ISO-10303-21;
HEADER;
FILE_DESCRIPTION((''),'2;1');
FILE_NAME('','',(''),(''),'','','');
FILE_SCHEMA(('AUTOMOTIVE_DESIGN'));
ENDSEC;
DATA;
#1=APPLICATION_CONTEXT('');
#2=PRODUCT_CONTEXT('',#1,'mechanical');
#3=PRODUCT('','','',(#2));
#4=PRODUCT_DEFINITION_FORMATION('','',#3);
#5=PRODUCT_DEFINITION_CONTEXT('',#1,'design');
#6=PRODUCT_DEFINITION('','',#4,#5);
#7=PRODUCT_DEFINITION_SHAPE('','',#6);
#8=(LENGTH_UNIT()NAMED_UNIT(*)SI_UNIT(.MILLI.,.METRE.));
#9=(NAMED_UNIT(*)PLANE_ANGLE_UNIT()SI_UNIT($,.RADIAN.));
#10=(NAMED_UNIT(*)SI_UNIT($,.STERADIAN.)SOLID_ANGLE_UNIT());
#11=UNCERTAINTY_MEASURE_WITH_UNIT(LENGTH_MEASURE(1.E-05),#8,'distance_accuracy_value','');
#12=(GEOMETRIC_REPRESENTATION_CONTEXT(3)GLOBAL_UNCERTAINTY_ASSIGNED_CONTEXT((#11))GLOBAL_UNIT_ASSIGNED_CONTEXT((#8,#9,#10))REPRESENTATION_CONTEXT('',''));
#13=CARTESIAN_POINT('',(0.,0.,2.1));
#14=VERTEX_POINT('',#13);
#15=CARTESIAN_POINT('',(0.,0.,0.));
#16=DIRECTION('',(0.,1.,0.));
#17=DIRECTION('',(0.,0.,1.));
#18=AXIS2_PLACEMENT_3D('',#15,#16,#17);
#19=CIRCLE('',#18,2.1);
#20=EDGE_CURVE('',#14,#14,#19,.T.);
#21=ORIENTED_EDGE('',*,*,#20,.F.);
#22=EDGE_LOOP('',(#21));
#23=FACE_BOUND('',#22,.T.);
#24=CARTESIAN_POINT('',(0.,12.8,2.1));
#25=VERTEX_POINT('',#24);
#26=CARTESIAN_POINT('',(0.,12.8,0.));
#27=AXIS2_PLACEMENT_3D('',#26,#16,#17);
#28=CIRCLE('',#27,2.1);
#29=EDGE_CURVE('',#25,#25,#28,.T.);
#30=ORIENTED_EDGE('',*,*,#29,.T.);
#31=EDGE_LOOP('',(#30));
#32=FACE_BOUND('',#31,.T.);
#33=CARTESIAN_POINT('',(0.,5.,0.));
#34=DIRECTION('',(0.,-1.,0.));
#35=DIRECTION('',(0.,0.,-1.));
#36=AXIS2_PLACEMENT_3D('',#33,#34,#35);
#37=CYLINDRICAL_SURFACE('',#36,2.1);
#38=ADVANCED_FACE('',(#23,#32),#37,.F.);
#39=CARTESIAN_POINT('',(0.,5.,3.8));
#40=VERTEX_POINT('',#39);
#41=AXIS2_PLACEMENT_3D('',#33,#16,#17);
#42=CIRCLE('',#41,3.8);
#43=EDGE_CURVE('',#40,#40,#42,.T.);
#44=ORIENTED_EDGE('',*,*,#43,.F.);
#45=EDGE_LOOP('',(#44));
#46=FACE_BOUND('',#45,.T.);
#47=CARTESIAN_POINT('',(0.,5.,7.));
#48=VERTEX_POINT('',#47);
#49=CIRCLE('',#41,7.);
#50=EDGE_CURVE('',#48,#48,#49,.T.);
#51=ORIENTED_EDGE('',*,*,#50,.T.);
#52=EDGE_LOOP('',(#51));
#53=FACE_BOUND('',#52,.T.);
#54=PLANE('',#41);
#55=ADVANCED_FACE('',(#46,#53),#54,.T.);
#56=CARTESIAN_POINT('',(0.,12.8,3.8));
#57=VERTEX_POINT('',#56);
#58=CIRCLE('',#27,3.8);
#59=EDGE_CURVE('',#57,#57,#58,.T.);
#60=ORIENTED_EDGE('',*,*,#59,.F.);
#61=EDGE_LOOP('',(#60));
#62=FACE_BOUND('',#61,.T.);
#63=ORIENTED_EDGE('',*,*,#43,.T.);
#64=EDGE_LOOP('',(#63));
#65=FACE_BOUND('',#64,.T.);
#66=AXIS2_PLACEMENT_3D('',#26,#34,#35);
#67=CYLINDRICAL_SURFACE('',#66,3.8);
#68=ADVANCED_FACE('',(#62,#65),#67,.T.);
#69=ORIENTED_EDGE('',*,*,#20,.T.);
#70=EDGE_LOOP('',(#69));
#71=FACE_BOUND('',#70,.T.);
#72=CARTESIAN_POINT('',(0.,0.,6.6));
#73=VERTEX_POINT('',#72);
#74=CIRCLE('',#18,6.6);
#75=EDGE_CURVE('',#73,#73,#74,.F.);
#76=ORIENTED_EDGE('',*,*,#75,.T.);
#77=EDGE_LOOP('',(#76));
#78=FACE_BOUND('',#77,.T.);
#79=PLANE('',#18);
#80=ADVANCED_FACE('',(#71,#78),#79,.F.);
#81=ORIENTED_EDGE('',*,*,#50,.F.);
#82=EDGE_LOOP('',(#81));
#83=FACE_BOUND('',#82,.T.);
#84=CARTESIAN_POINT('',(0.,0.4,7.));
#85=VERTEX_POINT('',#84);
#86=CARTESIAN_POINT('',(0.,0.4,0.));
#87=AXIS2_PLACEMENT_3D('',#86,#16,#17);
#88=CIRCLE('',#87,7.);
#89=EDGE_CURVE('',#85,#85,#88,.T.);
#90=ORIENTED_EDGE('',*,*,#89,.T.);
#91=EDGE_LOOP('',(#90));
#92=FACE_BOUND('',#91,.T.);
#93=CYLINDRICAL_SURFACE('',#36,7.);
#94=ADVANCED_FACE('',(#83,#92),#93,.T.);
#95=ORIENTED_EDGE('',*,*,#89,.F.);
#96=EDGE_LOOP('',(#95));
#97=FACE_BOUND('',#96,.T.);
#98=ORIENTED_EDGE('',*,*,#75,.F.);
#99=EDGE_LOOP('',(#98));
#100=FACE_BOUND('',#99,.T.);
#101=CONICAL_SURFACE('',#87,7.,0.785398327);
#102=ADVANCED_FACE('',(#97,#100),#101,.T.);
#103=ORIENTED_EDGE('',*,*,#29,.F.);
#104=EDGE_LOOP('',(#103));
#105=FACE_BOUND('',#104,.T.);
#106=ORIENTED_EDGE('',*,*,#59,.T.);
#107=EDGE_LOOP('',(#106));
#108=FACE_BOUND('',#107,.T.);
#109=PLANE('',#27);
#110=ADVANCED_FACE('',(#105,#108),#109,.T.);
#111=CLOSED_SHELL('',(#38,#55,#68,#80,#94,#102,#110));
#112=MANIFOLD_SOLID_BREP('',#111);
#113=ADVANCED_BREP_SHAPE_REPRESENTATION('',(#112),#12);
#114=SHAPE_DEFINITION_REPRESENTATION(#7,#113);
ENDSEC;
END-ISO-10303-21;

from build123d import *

# Parameters (mm, degrees)
SKETCH1_R           = 7
SKETCH1_R_2         = 2.1
BOSS_EXTRUDE1_DEPTH = 5
SKETCH2_R           = 3.8
SKETCH2_R_2         = 2.1
BOSS_EXTRUDE2_DEPTH = 7.8
CHAMFER1_SIZE       = 0.4
CHAMFER1_SIZE2      = 0.399999869


with BuildPart() as part:
    # Sketch1 → Boss-Extrude1 (new body)
    with BuildSketch(Plane(origin=(0, 0, 0), x_dir=(1, 0, 0), z_dir=(0, 1, 0))):
        with Locations(Location((0, 0, 0), (0, 0, 270))):
            Circle(SKETCH1_R)
        with Locations(Location((0, 0, 0), (0, 0, 270))):
            Circle(SKETCH1_R_2, mode=Mode.SUBTRACT)
    extrude(amount=BOSS_EXTRUDE1_DEPTH)

    # Sketch2 → Boss-Extrude2 (add)
    with BuildSketch(Plane(origin=(0, 5, 0), x_dir=(1, 0, 0), z_dir=(0, 1, 0))):
        with Locations(Location((0, 0, 0), (0, 0, 270))):
            Circle(SKETCH2_R)
        with Locations(Location((0, 0, 0), (0, 0, 270))):
            Circle(SKETCH2_R_2, mode=Mode.SUBTRACT)
    extrude(amount=BOSS_EXTRUDE2_DEPTH)

    # Chamfer1
    chamfer1_edges = [part.edges().sort_by_distance(p)[0] for p in [
        (0, 0, -7),
    ]]
    chamfer1_side = [part.faces().sort_by_distance(p)[0] for p in [
        (0, 2.5, -7),
    ]]
    chamfer(chamfer1_edges, length=CHAMFER1_SIZE, length2=CHAMFER1_SIZE2, reference=chamfer1_side[0])


solid = part.part
